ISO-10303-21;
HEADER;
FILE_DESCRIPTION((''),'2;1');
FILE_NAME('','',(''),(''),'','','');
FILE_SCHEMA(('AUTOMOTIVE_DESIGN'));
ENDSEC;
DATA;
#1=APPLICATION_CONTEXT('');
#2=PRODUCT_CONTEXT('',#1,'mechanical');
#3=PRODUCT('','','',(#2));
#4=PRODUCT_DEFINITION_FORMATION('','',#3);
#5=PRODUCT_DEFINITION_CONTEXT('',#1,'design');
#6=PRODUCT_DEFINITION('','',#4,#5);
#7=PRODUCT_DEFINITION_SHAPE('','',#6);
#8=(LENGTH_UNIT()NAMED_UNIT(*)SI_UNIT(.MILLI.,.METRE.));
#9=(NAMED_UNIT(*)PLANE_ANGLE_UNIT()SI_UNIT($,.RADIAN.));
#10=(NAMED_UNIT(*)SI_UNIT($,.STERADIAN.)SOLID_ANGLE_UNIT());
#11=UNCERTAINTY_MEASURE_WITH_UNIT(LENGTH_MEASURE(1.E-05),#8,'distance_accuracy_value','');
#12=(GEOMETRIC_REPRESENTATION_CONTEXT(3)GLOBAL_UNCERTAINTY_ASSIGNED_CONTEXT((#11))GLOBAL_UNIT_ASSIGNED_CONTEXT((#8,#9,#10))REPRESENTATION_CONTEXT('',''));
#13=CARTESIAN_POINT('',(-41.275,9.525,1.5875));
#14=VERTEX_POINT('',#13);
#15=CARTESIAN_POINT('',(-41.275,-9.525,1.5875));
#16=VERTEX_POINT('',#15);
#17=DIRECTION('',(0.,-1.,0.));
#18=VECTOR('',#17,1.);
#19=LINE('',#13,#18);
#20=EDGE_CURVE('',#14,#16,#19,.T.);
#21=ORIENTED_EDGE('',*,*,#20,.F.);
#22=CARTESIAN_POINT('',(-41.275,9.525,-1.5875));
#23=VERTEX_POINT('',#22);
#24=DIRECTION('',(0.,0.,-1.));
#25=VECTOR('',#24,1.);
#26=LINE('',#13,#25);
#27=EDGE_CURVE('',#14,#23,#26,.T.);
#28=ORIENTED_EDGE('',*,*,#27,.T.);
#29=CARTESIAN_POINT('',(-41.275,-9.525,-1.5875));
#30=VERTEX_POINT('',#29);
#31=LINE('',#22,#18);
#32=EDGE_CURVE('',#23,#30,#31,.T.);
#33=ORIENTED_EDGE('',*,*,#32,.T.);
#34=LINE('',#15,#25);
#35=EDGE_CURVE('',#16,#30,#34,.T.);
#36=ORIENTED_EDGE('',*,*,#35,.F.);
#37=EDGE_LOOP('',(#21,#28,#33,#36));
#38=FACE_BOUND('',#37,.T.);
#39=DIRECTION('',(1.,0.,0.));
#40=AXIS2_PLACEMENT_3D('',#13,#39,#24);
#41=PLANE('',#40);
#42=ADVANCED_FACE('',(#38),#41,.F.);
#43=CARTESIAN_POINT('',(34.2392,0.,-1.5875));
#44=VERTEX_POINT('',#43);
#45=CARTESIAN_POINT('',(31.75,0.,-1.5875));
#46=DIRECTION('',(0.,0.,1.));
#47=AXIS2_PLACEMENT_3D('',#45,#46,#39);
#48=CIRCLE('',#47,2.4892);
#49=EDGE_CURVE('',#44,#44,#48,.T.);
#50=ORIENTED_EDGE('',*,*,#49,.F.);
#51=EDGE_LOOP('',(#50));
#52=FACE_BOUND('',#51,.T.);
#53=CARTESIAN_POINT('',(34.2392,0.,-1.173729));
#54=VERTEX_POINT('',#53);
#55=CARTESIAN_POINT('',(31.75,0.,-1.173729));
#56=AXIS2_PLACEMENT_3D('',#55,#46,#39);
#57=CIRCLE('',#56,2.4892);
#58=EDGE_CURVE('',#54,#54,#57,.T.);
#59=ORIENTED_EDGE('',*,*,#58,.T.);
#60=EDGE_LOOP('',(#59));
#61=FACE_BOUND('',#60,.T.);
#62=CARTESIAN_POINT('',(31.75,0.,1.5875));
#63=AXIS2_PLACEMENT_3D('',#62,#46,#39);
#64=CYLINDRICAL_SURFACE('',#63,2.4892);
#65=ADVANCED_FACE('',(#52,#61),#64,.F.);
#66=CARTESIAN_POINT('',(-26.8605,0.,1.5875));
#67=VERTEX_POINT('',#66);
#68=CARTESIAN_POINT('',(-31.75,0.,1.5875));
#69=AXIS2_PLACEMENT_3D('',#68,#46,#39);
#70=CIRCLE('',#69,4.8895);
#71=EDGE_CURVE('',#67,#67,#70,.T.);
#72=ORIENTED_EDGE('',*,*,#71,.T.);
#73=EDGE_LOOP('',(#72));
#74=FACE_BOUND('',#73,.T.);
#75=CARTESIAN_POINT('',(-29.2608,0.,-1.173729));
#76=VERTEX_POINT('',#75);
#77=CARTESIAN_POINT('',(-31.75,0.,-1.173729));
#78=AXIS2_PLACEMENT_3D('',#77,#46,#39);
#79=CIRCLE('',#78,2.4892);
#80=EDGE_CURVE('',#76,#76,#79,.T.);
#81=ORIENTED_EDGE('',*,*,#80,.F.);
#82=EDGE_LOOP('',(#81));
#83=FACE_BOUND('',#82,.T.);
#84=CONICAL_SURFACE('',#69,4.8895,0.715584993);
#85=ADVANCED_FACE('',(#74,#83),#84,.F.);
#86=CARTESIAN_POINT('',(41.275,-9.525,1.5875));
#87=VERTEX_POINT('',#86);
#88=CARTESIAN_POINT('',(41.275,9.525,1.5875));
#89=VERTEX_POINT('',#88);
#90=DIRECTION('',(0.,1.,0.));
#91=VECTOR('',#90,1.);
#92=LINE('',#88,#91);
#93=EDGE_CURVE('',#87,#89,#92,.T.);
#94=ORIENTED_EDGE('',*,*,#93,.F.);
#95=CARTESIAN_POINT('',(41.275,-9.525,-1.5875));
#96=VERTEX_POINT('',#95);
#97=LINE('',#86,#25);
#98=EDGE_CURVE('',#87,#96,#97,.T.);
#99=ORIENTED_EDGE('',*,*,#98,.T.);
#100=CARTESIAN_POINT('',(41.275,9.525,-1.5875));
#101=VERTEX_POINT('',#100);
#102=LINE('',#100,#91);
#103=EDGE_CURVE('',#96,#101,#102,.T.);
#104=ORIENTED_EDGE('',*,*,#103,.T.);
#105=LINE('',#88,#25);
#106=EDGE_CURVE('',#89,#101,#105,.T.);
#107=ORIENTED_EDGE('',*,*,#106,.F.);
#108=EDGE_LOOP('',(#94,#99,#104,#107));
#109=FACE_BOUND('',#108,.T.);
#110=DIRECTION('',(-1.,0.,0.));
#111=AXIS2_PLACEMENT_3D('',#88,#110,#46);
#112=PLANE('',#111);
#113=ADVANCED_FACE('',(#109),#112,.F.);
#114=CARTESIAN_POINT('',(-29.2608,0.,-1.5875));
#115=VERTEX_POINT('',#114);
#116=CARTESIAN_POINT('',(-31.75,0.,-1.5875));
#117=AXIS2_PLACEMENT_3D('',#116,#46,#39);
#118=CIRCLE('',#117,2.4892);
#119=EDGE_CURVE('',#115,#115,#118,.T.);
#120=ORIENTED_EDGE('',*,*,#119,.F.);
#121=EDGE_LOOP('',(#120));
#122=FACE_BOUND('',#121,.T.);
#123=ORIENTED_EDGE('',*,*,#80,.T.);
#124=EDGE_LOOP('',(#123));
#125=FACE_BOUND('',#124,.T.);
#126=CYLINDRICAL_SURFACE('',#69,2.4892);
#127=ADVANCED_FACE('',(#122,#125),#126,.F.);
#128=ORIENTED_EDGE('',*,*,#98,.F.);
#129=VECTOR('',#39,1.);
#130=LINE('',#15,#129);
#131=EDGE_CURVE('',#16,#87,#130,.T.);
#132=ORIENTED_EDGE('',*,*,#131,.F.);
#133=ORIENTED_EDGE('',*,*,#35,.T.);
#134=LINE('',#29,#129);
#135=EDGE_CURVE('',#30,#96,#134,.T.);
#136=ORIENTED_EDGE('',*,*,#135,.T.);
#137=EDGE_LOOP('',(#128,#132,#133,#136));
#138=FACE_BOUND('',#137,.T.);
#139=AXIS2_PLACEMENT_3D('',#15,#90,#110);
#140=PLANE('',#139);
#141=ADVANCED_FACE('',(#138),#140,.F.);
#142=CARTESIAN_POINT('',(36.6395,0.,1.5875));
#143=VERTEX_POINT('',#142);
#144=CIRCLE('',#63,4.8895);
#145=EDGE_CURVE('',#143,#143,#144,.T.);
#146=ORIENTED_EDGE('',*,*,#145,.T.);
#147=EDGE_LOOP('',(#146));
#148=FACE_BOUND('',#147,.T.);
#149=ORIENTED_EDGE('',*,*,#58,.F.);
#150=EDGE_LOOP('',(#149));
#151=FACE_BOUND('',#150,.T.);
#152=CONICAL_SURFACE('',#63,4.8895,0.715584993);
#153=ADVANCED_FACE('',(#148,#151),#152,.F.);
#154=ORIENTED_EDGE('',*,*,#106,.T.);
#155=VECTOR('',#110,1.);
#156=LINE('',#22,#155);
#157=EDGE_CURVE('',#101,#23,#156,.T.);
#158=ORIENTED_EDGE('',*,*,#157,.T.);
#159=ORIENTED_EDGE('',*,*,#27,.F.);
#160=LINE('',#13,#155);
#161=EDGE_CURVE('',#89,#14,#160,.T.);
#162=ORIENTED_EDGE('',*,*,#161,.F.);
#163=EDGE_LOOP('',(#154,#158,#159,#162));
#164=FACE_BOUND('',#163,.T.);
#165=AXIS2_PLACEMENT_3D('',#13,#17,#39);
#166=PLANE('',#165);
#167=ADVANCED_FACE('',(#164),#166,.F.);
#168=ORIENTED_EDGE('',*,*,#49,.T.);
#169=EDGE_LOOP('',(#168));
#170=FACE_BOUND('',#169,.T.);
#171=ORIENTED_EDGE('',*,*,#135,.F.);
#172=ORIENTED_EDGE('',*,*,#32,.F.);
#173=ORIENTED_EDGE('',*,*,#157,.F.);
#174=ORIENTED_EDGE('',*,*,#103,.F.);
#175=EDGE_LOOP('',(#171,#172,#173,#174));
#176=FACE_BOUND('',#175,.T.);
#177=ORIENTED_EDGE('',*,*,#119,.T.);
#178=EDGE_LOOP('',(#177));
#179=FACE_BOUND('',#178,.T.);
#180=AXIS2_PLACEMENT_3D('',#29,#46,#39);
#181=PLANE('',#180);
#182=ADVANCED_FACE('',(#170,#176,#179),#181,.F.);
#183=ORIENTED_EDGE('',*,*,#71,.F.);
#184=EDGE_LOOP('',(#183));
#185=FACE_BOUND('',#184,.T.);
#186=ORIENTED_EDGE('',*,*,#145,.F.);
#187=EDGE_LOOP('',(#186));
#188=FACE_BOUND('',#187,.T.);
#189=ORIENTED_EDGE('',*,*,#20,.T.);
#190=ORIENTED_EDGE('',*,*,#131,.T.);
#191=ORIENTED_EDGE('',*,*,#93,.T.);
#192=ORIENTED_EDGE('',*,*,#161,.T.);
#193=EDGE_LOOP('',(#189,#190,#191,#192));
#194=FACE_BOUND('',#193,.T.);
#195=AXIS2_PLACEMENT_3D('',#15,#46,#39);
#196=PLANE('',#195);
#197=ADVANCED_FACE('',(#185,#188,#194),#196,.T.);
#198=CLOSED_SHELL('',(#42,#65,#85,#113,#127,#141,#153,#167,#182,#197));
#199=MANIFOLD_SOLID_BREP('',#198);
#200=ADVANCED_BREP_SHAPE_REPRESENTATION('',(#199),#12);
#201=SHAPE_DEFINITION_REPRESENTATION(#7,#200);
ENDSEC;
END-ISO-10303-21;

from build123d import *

# Parameters (mm, degrees)
SKETCH1_W                                    = 82.55
SKETCH1_H                                    = 19.05
EXTRUDE1_DEPTH                               = 1.5875
CSK_FOR_10_FLAT_HEAD_MACHINE_SCREW1_AT_COUNT = 2
CSK_FOR_10_FLAT_HEAD_MACHINE_SCREW1_AT_PITCH = 63.5


with BuildPart() as part:
    # Sketch1 → Extrude1 (new body, symmetric)
    with BuildSketch(Plane.XY):
        Rectangle(SKETCH1_W, SKETCH1_H)
    extrude(amount=EXTRUDE1_DEPTH, both=True)

    # Sketch2 → CSK for #10 Flat Head Machine Screw1 (revolve, cut)
    with BuildSketch(Plane(origin=(-31.75, 0, 1.5875), x_dir=(0, -1, 0), z_dir=(1, 0, 0))):
        Polygon((0, 0), (0, 3.175), (2.4892, 3.175), (2.4892, 2.761229288), (4.8895, 0), align=None)
    csk_for_10_flat_head_machine_screw1 = revolve(axis=Axis((-31.75, 0, 7.9375), (0, 0, -1)), mode=Mode.SUBTRACT)

    # CSK for #10 Flat Head Machine Screw1 at: CSK for #10 Flat Head Machine Screw1 ×2
    with Locations(*[(i * CSK_FOR_10_FLAT_HEAD_MACHINE_SCREW1_AT_PITCH, 0, 0) for i in range(1, CSK_FOR_10_FLAT_HEAD_MACHINE_SCREW1_AT_COUNT)]):
        add(csk_for_10_flat_head_machine_screw1, mode=Mode.SUBTRACT)


solid = part.part
